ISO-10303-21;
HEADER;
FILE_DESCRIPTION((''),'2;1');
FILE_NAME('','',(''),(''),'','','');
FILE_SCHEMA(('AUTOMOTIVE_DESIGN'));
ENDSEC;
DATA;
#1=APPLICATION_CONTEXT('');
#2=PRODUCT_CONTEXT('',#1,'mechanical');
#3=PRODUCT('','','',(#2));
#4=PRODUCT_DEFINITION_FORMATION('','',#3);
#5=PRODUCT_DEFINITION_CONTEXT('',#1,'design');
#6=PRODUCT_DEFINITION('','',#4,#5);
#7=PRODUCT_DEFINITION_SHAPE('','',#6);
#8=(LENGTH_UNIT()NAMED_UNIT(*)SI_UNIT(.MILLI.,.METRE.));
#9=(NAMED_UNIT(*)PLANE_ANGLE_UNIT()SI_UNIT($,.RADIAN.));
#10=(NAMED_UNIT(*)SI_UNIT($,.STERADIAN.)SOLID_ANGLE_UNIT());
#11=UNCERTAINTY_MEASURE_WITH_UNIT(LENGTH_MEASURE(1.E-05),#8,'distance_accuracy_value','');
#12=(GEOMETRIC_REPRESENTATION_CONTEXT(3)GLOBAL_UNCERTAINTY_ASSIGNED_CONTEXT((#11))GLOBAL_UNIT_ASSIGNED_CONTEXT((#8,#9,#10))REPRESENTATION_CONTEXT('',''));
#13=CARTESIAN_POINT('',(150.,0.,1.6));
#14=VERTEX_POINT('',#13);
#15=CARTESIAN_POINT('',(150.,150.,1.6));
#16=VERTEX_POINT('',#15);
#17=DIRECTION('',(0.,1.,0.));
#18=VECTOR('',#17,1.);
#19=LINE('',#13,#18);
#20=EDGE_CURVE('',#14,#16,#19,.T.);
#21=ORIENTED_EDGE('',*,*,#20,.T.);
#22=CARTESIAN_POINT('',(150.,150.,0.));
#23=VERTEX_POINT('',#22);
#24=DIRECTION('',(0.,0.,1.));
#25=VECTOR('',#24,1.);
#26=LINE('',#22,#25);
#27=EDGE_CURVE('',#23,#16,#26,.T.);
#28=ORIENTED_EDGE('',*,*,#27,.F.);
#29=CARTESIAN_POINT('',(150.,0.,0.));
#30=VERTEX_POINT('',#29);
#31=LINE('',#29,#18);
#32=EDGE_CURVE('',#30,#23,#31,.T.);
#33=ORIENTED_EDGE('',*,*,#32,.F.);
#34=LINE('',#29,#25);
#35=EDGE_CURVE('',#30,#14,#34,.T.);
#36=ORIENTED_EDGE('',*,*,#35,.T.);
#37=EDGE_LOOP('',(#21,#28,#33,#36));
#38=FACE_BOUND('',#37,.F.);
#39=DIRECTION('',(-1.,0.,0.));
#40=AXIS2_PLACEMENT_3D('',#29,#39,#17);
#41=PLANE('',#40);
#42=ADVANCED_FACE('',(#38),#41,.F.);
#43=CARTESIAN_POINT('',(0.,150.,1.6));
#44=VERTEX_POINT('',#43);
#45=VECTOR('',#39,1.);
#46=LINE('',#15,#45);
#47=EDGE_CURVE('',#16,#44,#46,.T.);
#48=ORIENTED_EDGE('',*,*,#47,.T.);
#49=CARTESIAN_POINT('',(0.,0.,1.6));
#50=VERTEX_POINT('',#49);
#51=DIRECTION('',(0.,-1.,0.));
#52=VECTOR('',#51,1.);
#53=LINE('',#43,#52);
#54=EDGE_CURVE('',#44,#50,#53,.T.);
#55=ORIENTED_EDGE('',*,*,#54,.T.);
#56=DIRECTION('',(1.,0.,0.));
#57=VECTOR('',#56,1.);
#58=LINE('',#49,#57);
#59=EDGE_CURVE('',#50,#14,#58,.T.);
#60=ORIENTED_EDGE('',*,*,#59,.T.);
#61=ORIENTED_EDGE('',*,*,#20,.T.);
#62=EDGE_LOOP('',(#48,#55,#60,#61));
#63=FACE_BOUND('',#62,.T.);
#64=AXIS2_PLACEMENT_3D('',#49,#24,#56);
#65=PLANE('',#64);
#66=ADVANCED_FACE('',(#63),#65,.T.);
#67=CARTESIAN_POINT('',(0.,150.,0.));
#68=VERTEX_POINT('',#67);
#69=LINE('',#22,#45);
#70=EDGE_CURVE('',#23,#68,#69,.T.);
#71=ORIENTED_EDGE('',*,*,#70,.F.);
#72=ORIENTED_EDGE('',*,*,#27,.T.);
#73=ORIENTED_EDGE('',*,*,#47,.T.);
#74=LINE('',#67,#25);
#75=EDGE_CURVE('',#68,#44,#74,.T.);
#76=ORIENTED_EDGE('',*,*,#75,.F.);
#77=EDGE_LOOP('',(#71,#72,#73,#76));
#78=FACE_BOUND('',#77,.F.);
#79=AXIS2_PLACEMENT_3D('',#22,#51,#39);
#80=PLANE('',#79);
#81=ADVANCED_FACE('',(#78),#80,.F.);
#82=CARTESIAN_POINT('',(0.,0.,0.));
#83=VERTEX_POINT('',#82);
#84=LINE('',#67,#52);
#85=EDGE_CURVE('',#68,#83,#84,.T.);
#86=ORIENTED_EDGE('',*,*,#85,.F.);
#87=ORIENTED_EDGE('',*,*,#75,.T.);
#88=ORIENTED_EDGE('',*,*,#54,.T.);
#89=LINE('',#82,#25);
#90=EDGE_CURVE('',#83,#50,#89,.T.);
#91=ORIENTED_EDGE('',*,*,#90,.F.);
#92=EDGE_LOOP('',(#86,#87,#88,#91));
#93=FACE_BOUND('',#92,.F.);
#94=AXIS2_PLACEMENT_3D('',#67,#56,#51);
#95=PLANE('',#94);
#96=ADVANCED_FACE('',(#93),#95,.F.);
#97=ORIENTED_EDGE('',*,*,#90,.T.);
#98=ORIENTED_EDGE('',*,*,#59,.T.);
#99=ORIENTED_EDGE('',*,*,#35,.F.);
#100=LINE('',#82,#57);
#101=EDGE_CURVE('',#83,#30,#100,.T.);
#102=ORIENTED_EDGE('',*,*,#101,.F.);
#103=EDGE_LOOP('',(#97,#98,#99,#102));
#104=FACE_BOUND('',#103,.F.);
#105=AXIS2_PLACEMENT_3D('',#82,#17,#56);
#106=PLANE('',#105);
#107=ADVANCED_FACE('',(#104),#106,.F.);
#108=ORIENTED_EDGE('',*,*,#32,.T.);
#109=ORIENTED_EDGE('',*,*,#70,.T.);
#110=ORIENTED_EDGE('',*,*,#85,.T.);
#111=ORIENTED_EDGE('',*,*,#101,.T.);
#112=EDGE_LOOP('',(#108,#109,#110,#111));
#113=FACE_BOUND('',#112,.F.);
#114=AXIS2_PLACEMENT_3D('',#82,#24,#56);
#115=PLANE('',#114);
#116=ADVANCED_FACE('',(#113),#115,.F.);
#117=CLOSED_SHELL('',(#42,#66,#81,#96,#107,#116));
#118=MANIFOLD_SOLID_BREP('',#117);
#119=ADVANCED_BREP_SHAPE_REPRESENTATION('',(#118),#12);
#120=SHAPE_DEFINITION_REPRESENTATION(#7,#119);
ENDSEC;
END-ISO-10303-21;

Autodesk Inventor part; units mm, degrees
ref_plane "YZ Plane" through (0, 0, 0) normal (1, 0, 0) x (0, 1, 0)
ref_plane "XZ Plane" through (0, 0, 0) normal (0, 1, 0) x (-1, 0, 0)
ref_plane "XY Plane" through (0, 0, 0) normal (0, 0, 1) x (1, 0, 0)
sketch "Sketch1" plane through (0, 0, 0) normal (0, 0, 1) x (1, 0, 0)
  line L0 (0, 0) -> (150, 0)
  line L1 (150, 0) -> (150, 150)
  line L2 (150, 150) -> (0, 150)
  line L3 (0, 150) -> (0, 0)
  dimension "d0" = 150
  dimension "d1" = 150
extrude "Extrusion1" add sketch "Sketch1" along normal blind 1.6
properties part number "150mm_heater"
